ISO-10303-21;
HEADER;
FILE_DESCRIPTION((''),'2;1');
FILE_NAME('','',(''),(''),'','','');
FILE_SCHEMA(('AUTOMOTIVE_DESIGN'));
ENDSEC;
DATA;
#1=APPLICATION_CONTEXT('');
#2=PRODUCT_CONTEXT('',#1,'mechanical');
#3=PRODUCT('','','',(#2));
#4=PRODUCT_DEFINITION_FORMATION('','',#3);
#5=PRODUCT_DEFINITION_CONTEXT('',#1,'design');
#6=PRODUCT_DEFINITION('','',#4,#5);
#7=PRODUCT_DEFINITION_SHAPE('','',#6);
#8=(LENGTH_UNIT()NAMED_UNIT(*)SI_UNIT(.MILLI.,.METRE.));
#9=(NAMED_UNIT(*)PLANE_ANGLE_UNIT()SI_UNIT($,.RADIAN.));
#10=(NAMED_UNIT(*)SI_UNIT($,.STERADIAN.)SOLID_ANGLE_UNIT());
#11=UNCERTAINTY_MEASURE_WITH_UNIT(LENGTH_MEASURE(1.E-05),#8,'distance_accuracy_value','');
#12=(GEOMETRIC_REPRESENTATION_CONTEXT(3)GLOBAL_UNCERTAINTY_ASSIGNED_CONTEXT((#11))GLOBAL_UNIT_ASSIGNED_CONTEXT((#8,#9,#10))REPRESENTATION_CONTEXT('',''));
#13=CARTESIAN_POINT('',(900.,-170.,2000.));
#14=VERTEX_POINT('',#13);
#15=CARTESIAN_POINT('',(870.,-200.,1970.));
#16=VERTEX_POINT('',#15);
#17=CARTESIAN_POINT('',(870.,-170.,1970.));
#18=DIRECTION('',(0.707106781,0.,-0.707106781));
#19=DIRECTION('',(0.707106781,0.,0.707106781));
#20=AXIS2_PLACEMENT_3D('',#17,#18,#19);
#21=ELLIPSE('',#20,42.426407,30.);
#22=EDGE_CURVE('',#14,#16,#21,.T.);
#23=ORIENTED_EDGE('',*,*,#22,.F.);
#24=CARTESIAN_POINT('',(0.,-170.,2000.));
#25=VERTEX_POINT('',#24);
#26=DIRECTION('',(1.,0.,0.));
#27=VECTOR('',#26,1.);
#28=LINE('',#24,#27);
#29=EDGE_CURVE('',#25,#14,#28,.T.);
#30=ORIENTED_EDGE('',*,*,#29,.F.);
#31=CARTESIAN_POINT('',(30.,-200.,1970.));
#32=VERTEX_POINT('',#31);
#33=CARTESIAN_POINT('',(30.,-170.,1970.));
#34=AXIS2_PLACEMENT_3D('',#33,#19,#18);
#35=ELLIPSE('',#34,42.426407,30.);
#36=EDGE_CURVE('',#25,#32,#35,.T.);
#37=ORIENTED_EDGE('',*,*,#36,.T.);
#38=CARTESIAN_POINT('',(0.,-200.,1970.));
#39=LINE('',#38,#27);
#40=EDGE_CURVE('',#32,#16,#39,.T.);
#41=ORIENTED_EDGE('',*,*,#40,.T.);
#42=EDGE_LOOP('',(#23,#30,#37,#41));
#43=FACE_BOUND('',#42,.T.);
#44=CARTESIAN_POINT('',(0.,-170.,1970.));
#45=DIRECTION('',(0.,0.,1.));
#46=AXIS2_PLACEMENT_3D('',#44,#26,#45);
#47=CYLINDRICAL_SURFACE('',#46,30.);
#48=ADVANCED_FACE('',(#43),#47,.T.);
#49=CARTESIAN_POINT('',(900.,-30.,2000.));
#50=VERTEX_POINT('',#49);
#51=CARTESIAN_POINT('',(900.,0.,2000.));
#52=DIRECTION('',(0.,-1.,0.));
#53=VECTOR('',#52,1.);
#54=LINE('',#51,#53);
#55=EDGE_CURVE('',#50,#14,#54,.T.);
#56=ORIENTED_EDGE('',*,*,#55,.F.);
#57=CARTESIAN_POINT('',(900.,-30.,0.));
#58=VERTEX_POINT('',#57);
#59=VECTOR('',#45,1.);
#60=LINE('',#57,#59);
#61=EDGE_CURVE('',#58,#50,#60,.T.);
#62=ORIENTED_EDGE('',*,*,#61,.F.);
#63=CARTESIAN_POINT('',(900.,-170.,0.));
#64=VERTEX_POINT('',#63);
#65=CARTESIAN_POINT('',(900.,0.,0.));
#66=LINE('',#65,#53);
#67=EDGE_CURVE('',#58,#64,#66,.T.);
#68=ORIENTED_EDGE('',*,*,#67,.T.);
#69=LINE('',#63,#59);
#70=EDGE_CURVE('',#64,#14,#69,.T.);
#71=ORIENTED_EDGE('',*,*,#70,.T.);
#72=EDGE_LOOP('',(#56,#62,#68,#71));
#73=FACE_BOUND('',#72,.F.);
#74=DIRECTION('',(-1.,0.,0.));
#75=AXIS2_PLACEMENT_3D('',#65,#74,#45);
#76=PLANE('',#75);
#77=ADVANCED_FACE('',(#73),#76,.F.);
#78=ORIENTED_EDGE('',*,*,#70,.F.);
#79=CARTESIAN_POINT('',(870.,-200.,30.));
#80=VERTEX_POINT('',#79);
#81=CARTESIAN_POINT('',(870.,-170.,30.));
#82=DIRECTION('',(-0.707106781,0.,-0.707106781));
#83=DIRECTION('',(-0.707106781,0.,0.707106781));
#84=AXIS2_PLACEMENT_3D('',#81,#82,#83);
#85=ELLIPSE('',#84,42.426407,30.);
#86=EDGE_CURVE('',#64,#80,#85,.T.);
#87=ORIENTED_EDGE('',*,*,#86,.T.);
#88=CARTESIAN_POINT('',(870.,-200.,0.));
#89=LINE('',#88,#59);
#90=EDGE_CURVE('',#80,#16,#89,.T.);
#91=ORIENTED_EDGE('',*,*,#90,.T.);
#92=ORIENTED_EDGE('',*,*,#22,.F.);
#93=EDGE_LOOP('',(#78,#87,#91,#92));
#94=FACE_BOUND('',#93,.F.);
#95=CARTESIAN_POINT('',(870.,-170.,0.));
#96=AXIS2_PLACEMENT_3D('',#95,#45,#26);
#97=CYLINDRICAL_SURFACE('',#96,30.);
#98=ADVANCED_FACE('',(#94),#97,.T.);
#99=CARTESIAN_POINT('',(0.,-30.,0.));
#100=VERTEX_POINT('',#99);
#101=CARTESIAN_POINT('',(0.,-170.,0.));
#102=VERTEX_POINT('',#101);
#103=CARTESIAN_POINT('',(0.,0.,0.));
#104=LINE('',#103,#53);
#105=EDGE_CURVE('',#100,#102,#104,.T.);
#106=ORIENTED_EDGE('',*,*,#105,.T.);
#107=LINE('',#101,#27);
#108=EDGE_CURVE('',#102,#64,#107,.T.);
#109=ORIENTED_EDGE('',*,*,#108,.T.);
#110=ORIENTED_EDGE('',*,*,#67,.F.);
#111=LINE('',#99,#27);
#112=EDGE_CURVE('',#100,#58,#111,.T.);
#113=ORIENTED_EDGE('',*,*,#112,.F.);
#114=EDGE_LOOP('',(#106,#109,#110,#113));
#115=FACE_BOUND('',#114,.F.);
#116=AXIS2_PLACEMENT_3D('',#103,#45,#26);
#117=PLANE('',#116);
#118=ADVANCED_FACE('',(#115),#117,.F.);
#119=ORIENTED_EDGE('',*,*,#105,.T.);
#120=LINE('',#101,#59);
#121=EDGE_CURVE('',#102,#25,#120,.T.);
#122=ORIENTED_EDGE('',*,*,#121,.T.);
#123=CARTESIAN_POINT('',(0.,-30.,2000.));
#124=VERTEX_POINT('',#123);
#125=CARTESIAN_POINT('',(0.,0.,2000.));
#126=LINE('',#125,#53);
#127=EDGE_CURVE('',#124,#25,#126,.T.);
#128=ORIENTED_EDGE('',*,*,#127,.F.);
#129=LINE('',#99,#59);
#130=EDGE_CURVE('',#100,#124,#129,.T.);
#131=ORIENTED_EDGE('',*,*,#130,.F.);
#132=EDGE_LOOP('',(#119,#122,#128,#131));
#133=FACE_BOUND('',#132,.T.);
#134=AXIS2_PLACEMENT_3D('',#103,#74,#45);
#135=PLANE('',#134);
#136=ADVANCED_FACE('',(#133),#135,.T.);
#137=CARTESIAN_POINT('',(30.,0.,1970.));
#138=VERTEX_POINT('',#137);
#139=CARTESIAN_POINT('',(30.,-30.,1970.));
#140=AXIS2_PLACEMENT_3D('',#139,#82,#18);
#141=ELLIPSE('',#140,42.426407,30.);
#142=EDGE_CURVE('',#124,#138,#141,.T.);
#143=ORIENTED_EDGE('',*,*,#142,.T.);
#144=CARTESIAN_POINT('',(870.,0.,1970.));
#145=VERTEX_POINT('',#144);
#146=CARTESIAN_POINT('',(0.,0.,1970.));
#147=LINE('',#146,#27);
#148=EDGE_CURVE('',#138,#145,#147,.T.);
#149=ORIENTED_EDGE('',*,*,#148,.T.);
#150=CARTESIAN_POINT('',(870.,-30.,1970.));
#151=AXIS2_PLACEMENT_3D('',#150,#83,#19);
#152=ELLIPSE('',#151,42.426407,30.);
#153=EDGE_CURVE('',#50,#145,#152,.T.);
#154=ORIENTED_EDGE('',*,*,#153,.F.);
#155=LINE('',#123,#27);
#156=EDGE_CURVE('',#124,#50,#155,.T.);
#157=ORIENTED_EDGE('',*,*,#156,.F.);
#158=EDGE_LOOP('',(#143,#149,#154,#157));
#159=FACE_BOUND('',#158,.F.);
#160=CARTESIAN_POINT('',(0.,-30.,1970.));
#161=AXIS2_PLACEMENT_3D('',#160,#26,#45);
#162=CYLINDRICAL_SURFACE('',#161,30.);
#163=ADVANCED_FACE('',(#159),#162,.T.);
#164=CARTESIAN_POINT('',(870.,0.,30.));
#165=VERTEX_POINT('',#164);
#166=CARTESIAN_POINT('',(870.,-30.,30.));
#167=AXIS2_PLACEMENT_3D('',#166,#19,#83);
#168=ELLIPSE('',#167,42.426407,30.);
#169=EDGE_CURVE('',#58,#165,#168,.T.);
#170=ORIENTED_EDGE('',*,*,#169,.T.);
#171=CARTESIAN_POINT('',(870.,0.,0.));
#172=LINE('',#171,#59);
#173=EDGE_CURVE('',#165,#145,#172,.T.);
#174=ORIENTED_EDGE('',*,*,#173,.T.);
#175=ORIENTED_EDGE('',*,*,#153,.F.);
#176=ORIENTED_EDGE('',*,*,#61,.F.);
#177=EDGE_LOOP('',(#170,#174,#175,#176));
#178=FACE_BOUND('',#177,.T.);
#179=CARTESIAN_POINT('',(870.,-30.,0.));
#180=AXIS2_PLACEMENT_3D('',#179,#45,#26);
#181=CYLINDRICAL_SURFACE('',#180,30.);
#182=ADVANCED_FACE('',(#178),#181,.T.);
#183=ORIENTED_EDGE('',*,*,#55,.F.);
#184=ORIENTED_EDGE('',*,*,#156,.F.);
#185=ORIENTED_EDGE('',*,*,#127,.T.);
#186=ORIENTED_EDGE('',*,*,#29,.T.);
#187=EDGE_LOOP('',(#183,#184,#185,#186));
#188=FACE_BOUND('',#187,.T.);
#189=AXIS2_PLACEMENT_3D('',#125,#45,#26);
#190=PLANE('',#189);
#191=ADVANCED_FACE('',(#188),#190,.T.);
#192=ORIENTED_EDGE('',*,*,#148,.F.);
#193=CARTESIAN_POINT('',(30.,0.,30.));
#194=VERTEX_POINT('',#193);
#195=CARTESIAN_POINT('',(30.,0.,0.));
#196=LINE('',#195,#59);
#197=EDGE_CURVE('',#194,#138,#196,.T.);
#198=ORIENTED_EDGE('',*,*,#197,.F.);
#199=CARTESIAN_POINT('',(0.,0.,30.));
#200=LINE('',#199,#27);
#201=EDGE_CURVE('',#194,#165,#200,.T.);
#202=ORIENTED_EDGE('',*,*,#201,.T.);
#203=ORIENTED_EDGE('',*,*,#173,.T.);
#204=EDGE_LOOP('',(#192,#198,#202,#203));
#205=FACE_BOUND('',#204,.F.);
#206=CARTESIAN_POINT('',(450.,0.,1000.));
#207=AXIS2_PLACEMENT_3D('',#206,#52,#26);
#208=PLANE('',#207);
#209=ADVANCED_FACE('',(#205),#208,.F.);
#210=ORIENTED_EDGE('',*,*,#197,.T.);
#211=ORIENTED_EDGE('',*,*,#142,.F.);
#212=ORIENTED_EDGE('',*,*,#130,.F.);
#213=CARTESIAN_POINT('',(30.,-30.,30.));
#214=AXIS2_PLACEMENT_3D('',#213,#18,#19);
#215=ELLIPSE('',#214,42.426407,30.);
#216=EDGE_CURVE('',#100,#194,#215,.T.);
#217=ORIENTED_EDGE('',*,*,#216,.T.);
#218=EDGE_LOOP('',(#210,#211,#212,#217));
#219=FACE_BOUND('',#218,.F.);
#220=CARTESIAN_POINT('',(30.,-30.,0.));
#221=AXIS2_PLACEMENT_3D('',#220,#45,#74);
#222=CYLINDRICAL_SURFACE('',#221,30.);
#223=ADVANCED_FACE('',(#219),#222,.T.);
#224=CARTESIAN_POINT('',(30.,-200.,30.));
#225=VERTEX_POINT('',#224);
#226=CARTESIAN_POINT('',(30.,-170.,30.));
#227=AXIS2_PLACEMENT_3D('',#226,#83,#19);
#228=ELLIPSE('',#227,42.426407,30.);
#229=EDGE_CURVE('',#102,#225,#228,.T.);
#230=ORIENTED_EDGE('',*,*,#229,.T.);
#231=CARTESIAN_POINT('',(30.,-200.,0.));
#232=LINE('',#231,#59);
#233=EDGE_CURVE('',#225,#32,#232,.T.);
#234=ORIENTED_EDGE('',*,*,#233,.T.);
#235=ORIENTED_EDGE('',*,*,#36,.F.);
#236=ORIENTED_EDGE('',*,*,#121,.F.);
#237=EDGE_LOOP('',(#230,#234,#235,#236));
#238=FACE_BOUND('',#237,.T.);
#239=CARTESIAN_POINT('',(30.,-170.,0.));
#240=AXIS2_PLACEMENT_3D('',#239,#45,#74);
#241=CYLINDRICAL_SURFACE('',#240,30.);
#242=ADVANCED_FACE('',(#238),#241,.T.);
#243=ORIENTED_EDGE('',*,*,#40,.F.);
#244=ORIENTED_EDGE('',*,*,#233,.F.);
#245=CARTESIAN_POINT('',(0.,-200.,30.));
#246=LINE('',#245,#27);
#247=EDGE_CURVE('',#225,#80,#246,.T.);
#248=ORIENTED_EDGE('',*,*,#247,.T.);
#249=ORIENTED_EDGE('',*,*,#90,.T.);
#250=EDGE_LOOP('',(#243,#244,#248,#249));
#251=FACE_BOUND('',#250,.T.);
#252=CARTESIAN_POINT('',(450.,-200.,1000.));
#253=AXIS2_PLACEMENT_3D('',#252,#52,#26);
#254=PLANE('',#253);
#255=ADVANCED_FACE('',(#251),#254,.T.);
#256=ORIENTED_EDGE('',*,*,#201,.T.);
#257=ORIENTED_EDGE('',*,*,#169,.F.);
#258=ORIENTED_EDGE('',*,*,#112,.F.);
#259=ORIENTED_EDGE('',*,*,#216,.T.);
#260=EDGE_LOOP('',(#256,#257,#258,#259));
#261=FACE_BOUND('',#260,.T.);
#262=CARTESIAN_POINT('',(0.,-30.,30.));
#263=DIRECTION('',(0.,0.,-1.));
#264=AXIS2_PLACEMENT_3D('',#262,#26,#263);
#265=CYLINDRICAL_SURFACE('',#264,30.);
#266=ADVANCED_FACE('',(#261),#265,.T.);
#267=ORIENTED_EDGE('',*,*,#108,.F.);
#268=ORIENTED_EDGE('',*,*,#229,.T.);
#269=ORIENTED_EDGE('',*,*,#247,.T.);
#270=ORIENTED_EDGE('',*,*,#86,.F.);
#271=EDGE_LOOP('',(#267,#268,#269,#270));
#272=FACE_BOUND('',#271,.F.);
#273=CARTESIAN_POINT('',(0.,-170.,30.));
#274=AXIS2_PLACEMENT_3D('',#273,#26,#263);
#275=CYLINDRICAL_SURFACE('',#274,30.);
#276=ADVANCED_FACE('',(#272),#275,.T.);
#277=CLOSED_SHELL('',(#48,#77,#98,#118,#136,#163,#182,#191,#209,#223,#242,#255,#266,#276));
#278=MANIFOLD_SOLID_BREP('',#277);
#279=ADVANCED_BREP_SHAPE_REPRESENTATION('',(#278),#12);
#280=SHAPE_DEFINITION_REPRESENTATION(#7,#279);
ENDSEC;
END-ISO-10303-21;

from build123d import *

# Parameters (mm, degrees)
SKETCH_W  = 900
SKETCH_H  = 2000
PAD_DEPTH = 200
FILLET_R  = 30


with BuildPart() as part:
    # Sketch → Pad (new body)
    with BuildSketch(Plane.XZ):
        with Locations((450, 1000)):
            Rectangle(SKETCH_W, SKETCH_H)
    extrude(amount=PAD_DEPTH)

    # Fillet
    fillet_edges = [part.edges().sort_by_distance(p)[0] for p in [
        (450, -200, 2000),
        (900, -200, 1000),
        (450, -200, 0),
        (0, -200, 1000),
        (450, 0, 2000),
        (0, 0, 1000),
        (900, 0, 1000),
        (450, 0, 0),
    ]]
    fillet(fillet_edges, radius=FILLET_R)


solid = part.part
